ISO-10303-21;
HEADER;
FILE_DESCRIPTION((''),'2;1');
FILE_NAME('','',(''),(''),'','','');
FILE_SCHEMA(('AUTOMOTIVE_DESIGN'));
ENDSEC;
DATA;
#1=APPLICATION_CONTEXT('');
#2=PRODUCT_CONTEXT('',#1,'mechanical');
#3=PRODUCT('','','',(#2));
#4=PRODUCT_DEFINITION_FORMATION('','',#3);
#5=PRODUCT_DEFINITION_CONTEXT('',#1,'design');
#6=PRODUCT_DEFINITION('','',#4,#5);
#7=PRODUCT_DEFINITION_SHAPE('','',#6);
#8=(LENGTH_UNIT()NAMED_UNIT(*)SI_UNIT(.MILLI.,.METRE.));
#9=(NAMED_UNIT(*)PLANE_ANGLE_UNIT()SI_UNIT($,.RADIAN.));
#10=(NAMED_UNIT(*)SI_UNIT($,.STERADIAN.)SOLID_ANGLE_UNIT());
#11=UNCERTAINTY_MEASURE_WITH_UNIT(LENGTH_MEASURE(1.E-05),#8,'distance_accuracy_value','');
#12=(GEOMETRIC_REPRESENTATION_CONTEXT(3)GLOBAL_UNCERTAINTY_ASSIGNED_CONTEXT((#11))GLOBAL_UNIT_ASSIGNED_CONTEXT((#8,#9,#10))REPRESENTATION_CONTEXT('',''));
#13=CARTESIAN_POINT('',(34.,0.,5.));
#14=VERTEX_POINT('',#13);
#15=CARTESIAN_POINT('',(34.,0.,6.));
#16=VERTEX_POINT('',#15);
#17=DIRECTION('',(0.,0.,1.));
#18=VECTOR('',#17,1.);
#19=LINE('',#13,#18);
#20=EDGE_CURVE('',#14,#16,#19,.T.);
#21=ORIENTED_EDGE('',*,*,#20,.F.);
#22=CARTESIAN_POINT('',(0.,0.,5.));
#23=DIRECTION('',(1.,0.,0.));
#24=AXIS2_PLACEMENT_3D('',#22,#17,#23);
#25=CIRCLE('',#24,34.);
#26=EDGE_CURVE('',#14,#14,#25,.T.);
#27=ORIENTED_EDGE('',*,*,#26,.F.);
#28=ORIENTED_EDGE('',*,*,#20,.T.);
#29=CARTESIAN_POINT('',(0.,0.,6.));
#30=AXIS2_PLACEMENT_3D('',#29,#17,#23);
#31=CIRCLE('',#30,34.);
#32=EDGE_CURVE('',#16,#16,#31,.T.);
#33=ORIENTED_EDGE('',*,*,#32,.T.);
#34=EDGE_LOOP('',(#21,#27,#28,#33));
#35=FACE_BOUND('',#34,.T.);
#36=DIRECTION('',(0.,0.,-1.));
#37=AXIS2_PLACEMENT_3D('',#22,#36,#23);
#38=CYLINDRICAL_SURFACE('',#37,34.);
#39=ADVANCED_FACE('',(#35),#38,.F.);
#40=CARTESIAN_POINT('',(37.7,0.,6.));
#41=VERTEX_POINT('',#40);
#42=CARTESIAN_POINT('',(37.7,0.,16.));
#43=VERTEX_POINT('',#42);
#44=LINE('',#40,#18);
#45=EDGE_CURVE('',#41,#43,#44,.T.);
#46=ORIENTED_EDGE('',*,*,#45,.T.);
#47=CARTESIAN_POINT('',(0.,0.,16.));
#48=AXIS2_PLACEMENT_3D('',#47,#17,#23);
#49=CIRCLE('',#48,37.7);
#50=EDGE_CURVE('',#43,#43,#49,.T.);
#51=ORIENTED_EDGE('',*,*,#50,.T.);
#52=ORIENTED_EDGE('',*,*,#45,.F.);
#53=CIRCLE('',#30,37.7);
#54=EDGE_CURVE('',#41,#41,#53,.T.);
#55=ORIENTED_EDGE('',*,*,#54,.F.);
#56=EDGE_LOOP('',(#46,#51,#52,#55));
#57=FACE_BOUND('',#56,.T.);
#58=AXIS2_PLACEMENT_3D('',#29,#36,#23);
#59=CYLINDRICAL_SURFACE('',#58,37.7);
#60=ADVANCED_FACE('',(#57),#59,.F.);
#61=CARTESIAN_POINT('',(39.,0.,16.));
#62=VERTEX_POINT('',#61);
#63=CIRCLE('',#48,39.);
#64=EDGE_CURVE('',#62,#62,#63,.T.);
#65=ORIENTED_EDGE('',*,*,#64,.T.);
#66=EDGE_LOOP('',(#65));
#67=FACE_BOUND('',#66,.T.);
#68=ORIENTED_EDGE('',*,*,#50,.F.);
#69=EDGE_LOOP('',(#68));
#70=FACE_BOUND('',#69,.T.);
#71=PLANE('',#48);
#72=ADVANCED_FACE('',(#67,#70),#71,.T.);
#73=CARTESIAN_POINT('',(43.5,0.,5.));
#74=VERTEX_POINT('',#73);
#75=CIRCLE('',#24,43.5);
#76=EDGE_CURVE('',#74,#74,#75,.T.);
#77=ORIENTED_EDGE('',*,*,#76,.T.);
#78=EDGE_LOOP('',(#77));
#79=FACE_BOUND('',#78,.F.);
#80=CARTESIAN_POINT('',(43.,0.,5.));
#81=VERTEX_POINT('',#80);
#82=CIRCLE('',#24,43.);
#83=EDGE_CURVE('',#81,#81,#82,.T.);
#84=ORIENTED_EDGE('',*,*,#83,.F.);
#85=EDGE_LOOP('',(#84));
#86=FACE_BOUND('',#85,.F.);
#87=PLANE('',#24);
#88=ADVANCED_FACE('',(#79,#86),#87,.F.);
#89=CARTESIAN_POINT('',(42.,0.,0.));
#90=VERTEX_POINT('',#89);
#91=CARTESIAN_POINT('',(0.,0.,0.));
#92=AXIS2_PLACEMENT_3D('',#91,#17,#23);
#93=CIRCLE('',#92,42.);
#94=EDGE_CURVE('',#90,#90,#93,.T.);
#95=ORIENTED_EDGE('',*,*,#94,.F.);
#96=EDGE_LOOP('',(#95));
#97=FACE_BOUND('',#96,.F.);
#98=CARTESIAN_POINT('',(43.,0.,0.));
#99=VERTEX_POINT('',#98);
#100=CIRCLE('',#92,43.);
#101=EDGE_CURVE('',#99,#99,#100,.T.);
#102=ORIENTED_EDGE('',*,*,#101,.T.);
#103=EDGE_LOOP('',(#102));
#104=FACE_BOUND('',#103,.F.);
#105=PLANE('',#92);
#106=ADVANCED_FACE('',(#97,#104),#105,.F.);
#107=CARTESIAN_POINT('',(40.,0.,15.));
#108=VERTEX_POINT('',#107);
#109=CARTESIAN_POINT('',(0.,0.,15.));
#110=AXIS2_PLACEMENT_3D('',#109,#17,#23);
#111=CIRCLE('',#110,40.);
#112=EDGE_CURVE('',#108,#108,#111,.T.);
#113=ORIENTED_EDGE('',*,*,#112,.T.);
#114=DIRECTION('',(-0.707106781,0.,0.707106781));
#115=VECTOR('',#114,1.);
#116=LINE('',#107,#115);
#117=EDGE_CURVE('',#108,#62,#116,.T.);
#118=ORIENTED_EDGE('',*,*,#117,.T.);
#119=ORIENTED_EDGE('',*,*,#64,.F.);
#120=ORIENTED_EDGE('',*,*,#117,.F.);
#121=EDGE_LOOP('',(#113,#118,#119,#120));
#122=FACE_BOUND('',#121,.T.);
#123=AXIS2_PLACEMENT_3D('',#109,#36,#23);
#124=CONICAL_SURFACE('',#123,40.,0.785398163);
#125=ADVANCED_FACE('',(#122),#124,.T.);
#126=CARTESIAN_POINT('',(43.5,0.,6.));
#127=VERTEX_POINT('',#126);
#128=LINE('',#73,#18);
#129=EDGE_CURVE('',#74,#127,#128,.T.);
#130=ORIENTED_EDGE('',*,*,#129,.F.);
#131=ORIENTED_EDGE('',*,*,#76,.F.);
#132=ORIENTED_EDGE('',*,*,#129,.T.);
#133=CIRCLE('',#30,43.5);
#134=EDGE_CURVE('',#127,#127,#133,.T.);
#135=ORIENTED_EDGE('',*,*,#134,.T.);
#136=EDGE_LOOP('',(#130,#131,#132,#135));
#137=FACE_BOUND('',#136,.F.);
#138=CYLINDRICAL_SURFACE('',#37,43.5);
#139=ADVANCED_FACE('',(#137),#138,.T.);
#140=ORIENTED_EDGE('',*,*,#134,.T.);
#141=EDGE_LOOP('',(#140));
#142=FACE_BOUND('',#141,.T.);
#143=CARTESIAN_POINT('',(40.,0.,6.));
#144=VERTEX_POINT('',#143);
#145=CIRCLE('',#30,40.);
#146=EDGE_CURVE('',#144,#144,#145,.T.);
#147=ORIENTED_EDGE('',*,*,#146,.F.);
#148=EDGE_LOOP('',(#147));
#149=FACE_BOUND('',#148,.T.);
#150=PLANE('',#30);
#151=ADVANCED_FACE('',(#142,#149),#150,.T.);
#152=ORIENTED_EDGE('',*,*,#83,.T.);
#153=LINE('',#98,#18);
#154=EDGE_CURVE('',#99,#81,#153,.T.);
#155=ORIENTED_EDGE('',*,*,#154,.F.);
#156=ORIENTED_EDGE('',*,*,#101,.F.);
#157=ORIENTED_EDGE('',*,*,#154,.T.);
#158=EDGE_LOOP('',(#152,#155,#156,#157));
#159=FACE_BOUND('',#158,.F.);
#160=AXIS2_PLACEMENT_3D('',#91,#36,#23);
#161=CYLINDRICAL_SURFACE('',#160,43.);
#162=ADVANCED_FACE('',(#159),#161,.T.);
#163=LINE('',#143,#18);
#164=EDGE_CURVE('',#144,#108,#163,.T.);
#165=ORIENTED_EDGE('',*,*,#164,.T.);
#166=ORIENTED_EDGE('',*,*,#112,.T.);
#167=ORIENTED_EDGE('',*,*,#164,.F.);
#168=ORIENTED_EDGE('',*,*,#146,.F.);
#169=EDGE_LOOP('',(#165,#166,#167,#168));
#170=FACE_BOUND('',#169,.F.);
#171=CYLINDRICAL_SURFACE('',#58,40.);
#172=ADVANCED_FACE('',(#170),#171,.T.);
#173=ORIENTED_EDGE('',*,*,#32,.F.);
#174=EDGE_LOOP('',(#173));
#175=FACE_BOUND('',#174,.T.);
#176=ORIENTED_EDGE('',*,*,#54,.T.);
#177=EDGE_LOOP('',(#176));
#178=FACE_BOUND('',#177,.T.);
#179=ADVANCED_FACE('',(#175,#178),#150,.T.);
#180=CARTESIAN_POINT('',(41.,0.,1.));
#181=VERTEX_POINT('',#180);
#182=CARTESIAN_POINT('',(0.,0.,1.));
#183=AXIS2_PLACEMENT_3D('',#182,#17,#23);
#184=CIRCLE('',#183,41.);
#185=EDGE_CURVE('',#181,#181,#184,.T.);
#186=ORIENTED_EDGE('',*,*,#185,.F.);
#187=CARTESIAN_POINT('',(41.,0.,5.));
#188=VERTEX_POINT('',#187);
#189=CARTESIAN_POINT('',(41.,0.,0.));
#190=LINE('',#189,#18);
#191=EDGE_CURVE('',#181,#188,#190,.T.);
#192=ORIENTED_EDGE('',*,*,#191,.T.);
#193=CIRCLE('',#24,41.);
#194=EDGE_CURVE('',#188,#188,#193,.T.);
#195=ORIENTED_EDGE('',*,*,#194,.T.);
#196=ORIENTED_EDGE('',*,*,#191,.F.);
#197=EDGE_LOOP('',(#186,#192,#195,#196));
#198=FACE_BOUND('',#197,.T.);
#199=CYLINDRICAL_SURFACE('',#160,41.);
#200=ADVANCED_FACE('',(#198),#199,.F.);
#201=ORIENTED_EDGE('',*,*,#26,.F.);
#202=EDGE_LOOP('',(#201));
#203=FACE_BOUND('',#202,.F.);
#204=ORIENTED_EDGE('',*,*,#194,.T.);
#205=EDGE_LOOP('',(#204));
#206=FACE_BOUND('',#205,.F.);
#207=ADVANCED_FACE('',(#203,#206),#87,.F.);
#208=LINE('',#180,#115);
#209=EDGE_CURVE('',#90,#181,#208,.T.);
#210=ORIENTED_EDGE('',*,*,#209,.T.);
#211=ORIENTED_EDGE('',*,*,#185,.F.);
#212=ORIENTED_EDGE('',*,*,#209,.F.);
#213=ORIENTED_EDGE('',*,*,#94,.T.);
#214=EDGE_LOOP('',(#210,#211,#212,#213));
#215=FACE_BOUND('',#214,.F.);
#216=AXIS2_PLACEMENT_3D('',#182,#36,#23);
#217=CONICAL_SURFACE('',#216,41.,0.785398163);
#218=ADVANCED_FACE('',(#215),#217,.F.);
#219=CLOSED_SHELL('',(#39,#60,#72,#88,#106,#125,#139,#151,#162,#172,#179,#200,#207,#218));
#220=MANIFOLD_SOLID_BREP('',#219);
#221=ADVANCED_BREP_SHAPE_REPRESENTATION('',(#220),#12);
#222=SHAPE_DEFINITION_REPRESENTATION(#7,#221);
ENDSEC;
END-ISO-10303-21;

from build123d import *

# Parameters (mm, degrees)
SKETCH_R        = 43
SKETCH_R_2      = 41
PAD_DEPTH       = 5
SKETCH001_R     = 43.5
SKETCH001_R_2   = 34
PAD001_DEPTH    = 1
SKETCH002_R     = 40
SKETCH002_R_2   = 37.7
PAD002_DEPTH    = 10
CHAMFER_SIZE    = 1
CHAMFER001_SIZE = 1


with BuildPart() as part:
    # Sketch → Pad (new body)
    with BuildSketch(Plane.XY):
        Circle(SKETCH_R)
        Circle(SKETCH_R_2, mode=Mode.SUBTRACT)
    extrude(amount=PAD_DEPTH)

    # Sketch001 (on Face4 of Pad) → Pad001 (join)
    with BuildSketch(Plane.XY.offset(5)):
        Circle(SKETCH001_R)
        Circle(SKETCH001_R_2, mode=Mode.SUBTRACT)
    extrude(amount=PAD001_DEPTH)

    # Sketch002 (on Face3 of Pad001) → Pad002 (join)
    with BuildSketch(Plane.XY.offset(6)):
        Circle(SKETCH002_R)
        Circle(SKETCH002_R_2, mode=Mode.SUBTRACT)
    extrude(amount=PAD002_DEPTH)

    # Chamfer
    chamfer_edges = [part.edges().sort_by_distance(p)[0] for p in [
        (-40, 0, 16),
    ]]
    chamfer(chamfer_edges, length=CHAMFER_SIZE)

    # Chamfer001
    chamfer001_edges = [part.edges().sort_by_distance(p)[0] for p in [
        (-41, 0, 0),
    ]]
    chamfer(chamfer001_edges, length=CHAMFER001_SIZE)


solid = part.part
